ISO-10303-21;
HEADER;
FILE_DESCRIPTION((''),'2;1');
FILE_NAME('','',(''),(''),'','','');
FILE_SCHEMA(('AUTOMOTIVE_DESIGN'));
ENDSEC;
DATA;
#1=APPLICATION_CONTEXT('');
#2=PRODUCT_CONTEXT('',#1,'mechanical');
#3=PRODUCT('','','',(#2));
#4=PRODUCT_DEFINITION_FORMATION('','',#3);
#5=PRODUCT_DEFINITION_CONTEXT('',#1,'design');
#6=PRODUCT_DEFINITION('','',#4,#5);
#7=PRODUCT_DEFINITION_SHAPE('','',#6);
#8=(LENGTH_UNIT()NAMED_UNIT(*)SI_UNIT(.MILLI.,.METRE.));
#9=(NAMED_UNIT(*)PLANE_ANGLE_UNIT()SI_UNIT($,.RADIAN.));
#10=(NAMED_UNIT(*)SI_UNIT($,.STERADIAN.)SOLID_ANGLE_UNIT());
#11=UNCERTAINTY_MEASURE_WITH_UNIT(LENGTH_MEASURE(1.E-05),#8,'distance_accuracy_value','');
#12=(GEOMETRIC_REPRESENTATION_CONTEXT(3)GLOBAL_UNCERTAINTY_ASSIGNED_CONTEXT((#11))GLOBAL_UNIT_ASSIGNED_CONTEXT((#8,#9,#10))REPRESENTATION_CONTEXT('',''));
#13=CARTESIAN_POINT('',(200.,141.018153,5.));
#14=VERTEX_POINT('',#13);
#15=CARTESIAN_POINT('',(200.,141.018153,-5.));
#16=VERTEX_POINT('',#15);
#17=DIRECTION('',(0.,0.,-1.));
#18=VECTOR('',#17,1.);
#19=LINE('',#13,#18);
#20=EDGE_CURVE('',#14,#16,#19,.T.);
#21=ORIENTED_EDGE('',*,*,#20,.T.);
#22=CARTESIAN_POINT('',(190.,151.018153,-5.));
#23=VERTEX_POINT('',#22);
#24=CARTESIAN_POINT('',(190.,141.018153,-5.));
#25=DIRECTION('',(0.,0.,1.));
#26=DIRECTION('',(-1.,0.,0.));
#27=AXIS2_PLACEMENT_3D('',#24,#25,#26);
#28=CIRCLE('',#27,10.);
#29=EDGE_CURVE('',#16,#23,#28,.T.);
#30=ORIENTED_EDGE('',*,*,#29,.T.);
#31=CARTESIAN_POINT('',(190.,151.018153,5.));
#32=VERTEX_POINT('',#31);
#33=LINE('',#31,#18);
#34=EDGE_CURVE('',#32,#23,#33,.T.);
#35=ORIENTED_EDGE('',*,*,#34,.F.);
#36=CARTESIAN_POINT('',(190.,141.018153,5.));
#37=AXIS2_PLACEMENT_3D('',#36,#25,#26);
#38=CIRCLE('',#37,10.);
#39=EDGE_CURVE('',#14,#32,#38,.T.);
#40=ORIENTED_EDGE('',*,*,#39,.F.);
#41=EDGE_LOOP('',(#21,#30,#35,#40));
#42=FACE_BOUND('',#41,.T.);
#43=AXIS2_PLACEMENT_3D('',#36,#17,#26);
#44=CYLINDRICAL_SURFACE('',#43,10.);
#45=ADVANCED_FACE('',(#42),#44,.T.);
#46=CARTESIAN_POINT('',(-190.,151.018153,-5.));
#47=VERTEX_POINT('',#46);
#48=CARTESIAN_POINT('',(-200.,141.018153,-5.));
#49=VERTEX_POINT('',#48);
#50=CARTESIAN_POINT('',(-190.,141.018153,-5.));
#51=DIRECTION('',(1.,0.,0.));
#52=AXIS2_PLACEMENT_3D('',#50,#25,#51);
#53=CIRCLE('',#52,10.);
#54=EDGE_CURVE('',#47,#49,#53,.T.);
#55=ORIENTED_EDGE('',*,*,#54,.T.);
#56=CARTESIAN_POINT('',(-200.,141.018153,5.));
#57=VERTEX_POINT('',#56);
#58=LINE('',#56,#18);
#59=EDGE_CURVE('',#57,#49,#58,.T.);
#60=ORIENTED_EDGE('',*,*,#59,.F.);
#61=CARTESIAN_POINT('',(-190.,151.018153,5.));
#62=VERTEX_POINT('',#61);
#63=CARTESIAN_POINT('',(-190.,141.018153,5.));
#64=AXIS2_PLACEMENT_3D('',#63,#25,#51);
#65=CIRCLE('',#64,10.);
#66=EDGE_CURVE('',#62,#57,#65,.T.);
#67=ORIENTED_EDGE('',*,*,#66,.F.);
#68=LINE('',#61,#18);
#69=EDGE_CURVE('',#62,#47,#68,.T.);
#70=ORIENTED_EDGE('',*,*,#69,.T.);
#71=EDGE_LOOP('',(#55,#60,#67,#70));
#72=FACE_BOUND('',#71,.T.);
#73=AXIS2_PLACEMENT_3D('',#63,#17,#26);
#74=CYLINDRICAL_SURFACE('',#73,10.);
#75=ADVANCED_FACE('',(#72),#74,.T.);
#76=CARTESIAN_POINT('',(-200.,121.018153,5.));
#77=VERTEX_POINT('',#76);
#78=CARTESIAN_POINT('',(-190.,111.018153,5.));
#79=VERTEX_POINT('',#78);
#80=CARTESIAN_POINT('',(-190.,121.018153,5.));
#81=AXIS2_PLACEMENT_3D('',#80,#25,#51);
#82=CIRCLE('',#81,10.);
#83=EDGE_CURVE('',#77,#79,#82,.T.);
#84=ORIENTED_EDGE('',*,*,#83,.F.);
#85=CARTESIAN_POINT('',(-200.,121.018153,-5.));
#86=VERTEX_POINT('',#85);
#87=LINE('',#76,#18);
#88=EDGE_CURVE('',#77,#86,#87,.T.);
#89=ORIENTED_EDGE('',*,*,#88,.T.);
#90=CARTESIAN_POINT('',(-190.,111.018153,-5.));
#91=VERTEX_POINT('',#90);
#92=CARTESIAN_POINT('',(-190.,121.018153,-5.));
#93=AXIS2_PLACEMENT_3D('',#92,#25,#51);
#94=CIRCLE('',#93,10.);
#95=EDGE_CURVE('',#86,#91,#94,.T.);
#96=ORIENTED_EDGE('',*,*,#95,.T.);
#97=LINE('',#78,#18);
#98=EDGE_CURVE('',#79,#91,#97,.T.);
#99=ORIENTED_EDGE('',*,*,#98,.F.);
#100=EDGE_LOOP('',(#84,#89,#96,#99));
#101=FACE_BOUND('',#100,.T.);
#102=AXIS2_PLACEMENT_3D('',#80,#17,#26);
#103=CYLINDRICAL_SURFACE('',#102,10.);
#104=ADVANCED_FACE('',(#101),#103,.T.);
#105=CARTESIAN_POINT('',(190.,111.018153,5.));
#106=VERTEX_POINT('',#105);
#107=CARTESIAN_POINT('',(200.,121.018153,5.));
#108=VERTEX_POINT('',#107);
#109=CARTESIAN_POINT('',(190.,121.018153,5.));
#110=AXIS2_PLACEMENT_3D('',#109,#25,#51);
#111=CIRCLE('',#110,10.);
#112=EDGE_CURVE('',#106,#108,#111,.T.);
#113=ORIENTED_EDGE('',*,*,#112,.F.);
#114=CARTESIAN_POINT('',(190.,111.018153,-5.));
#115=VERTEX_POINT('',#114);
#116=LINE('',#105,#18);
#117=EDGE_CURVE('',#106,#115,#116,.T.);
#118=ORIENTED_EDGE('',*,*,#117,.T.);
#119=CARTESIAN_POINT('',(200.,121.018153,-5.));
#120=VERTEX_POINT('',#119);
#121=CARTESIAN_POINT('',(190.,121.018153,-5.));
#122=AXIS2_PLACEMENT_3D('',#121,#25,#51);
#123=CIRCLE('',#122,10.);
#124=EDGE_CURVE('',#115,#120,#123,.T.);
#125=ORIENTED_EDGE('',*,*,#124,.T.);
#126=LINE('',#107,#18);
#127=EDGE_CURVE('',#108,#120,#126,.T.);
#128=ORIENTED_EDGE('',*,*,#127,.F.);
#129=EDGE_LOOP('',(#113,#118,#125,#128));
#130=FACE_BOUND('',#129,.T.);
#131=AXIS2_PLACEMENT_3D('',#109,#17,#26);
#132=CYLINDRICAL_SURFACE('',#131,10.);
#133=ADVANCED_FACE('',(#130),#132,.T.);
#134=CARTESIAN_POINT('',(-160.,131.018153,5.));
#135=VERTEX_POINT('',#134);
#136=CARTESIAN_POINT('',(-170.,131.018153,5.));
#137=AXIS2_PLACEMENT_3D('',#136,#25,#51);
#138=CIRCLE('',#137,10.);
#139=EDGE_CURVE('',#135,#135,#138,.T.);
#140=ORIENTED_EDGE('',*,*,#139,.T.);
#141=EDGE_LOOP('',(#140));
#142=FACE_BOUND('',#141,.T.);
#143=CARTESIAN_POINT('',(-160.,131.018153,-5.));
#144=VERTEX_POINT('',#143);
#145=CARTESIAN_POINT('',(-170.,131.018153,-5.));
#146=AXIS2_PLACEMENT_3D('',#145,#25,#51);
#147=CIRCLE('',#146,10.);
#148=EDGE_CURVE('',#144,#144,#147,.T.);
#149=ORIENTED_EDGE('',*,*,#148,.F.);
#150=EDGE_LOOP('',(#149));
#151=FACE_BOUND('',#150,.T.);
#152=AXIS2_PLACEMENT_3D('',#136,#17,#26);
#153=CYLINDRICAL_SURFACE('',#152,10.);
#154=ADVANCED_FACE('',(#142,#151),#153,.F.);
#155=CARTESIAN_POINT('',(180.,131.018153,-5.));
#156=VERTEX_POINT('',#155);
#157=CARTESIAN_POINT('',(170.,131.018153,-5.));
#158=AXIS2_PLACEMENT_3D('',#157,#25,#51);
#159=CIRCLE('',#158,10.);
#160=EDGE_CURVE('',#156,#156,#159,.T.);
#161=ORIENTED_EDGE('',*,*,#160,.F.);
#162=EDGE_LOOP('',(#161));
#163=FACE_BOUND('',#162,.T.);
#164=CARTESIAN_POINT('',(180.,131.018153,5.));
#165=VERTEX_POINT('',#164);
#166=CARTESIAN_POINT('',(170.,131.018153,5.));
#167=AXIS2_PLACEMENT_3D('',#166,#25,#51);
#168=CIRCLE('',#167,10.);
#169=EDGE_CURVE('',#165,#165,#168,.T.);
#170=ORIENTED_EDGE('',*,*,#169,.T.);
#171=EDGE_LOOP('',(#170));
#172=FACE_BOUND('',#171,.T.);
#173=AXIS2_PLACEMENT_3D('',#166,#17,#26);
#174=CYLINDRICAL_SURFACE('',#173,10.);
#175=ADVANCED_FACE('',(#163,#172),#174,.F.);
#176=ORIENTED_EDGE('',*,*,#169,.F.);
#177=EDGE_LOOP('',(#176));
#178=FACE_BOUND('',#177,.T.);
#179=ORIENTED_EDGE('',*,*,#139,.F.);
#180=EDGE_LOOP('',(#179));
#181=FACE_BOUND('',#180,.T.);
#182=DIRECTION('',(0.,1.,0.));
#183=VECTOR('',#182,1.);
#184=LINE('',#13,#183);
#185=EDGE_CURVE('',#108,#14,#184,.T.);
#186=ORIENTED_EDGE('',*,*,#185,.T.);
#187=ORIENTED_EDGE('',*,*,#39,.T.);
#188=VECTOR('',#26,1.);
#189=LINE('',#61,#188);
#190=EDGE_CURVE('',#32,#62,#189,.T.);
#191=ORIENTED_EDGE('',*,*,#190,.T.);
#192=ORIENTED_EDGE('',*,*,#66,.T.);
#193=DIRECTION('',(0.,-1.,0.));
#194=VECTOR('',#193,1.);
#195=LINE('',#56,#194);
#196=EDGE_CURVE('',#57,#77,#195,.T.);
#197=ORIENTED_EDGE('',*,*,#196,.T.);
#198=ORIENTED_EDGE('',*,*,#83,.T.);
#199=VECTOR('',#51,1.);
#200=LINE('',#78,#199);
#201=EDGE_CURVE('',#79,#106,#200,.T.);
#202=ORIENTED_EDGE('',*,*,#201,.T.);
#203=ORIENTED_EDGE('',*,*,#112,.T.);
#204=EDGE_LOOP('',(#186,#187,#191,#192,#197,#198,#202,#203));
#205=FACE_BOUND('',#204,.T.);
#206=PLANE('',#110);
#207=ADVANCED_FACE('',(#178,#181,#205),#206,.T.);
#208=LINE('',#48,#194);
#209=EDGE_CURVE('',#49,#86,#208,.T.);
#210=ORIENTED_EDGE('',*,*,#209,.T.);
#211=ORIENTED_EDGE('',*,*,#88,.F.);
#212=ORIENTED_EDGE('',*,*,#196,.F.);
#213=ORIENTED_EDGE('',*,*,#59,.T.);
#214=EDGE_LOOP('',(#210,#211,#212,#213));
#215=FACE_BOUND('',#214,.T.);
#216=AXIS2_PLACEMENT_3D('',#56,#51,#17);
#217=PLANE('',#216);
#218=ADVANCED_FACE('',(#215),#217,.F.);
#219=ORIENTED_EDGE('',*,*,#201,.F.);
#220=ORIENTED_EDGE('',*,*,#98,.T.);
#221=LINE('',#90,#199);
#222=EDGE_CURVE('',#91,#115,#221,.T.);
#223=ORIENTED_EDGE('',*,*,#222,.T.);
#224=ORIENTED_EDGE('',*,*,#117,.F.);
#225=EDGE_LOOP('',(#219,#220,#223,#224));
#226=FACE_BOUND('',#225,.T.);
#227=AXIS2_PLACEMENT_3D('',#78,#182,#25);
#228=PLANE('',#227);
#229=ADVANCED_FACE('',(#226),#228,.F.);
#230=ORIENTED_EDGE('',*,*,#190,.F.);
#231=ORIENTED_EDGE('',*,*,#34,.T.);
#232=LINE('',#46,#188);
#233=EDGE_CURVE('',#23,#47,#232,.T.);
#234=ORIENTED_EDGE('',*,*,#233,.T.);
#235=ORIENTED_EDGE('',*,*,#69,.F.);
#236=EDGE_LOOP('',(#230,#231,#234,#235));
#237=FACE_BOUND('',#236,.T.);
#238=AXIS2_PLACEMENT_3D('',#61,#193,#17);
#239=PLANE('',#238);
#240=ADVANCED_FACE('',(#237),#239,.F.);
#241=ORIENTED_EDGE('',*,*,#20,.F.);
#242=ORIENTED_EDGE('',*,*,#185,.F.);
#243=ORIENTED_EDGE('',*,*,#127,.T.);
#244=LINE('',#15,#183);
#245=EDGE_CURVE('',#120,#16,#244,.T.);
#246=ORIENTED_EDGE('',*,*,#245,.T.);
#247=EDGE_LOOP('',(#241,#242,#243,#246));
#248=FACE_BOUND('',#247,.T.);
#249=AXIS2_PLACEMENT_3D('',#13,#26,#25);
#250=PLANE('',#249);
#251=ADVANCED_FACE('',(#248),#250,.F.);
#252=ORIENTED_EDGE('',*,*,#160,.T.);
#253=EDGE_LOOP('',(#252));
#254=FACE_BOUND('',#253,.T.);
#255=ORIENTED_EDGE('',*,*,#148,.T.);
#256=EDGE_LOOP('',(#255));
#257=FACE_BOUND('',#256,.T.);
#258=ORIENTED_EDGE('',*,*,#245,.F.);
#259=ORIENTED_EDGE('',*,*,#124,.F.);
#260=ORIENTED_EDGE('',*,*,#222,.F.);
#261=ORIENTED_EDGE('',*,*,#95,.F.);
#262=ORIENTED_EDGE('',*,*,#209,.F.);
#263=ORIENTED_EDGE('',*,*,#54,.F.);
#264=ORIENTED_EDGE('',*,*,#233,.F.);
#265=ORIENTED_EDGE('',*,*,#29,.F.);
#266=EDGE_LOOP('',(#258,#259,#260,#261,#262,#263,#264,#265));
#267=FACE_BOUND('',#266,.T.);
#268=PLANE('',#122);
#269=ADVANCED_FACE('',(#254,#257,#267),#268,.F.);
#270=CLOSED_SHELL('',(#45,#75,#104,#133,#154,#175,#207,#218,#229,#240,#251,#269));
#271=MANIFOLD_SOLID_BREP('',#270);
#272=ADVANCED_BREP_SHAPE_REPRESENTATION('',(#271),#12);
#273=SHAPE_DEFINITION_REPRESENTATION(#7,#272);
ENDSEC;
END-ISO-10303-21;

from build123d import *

# Parameters (mm, degrees)
SKETCH1_R           = 10
BOSS_EXTRUDE1_DEPTH = 5


with BuildPart() as part:
    # Sketch1 → Boss-Extrude1 (new body, symmetric)
    with BuildSketch(Plane.XY):
        with BuildLine():
            Line((-190, 151.018152993), (190, 151.018152993))
            ThreePointArc((190, 151.018152993), (197.071067812, 148.089220805), (200, 141.018152993))
            Line((200, 141.018152993), (200, 121.018152993))
            ThreePointArc((200, 121.018152993), (197.071067812, 113.947085181), (190, 111.018152993))
            Line((190, 111.018152993), (-190, 111.018152993))
            ThreePointArc((-190, 111.018152993), (-197.071067812, 113.947085181), (-200, 121.018152993))
            Line((-200, 121.018152993), (-200, 141.018152993))
            ThreePointArc((-200, 141.018152993), (-197.071067812, 148.089220805), (-190, 151.018152993))
        make_face()
        with Locations((-170, 131.018152993)):
            Circle(SKETCH1_R, mode=Mode.SUBTRACT)
        with Locations((170, 131.018152993)):
            Circle(SKETCH1_R, mode=Mode.SUBTRACT)
    extrude(amount=BOSS_EXTRUDE1_DEPTH, both=True)


solid = part.part
